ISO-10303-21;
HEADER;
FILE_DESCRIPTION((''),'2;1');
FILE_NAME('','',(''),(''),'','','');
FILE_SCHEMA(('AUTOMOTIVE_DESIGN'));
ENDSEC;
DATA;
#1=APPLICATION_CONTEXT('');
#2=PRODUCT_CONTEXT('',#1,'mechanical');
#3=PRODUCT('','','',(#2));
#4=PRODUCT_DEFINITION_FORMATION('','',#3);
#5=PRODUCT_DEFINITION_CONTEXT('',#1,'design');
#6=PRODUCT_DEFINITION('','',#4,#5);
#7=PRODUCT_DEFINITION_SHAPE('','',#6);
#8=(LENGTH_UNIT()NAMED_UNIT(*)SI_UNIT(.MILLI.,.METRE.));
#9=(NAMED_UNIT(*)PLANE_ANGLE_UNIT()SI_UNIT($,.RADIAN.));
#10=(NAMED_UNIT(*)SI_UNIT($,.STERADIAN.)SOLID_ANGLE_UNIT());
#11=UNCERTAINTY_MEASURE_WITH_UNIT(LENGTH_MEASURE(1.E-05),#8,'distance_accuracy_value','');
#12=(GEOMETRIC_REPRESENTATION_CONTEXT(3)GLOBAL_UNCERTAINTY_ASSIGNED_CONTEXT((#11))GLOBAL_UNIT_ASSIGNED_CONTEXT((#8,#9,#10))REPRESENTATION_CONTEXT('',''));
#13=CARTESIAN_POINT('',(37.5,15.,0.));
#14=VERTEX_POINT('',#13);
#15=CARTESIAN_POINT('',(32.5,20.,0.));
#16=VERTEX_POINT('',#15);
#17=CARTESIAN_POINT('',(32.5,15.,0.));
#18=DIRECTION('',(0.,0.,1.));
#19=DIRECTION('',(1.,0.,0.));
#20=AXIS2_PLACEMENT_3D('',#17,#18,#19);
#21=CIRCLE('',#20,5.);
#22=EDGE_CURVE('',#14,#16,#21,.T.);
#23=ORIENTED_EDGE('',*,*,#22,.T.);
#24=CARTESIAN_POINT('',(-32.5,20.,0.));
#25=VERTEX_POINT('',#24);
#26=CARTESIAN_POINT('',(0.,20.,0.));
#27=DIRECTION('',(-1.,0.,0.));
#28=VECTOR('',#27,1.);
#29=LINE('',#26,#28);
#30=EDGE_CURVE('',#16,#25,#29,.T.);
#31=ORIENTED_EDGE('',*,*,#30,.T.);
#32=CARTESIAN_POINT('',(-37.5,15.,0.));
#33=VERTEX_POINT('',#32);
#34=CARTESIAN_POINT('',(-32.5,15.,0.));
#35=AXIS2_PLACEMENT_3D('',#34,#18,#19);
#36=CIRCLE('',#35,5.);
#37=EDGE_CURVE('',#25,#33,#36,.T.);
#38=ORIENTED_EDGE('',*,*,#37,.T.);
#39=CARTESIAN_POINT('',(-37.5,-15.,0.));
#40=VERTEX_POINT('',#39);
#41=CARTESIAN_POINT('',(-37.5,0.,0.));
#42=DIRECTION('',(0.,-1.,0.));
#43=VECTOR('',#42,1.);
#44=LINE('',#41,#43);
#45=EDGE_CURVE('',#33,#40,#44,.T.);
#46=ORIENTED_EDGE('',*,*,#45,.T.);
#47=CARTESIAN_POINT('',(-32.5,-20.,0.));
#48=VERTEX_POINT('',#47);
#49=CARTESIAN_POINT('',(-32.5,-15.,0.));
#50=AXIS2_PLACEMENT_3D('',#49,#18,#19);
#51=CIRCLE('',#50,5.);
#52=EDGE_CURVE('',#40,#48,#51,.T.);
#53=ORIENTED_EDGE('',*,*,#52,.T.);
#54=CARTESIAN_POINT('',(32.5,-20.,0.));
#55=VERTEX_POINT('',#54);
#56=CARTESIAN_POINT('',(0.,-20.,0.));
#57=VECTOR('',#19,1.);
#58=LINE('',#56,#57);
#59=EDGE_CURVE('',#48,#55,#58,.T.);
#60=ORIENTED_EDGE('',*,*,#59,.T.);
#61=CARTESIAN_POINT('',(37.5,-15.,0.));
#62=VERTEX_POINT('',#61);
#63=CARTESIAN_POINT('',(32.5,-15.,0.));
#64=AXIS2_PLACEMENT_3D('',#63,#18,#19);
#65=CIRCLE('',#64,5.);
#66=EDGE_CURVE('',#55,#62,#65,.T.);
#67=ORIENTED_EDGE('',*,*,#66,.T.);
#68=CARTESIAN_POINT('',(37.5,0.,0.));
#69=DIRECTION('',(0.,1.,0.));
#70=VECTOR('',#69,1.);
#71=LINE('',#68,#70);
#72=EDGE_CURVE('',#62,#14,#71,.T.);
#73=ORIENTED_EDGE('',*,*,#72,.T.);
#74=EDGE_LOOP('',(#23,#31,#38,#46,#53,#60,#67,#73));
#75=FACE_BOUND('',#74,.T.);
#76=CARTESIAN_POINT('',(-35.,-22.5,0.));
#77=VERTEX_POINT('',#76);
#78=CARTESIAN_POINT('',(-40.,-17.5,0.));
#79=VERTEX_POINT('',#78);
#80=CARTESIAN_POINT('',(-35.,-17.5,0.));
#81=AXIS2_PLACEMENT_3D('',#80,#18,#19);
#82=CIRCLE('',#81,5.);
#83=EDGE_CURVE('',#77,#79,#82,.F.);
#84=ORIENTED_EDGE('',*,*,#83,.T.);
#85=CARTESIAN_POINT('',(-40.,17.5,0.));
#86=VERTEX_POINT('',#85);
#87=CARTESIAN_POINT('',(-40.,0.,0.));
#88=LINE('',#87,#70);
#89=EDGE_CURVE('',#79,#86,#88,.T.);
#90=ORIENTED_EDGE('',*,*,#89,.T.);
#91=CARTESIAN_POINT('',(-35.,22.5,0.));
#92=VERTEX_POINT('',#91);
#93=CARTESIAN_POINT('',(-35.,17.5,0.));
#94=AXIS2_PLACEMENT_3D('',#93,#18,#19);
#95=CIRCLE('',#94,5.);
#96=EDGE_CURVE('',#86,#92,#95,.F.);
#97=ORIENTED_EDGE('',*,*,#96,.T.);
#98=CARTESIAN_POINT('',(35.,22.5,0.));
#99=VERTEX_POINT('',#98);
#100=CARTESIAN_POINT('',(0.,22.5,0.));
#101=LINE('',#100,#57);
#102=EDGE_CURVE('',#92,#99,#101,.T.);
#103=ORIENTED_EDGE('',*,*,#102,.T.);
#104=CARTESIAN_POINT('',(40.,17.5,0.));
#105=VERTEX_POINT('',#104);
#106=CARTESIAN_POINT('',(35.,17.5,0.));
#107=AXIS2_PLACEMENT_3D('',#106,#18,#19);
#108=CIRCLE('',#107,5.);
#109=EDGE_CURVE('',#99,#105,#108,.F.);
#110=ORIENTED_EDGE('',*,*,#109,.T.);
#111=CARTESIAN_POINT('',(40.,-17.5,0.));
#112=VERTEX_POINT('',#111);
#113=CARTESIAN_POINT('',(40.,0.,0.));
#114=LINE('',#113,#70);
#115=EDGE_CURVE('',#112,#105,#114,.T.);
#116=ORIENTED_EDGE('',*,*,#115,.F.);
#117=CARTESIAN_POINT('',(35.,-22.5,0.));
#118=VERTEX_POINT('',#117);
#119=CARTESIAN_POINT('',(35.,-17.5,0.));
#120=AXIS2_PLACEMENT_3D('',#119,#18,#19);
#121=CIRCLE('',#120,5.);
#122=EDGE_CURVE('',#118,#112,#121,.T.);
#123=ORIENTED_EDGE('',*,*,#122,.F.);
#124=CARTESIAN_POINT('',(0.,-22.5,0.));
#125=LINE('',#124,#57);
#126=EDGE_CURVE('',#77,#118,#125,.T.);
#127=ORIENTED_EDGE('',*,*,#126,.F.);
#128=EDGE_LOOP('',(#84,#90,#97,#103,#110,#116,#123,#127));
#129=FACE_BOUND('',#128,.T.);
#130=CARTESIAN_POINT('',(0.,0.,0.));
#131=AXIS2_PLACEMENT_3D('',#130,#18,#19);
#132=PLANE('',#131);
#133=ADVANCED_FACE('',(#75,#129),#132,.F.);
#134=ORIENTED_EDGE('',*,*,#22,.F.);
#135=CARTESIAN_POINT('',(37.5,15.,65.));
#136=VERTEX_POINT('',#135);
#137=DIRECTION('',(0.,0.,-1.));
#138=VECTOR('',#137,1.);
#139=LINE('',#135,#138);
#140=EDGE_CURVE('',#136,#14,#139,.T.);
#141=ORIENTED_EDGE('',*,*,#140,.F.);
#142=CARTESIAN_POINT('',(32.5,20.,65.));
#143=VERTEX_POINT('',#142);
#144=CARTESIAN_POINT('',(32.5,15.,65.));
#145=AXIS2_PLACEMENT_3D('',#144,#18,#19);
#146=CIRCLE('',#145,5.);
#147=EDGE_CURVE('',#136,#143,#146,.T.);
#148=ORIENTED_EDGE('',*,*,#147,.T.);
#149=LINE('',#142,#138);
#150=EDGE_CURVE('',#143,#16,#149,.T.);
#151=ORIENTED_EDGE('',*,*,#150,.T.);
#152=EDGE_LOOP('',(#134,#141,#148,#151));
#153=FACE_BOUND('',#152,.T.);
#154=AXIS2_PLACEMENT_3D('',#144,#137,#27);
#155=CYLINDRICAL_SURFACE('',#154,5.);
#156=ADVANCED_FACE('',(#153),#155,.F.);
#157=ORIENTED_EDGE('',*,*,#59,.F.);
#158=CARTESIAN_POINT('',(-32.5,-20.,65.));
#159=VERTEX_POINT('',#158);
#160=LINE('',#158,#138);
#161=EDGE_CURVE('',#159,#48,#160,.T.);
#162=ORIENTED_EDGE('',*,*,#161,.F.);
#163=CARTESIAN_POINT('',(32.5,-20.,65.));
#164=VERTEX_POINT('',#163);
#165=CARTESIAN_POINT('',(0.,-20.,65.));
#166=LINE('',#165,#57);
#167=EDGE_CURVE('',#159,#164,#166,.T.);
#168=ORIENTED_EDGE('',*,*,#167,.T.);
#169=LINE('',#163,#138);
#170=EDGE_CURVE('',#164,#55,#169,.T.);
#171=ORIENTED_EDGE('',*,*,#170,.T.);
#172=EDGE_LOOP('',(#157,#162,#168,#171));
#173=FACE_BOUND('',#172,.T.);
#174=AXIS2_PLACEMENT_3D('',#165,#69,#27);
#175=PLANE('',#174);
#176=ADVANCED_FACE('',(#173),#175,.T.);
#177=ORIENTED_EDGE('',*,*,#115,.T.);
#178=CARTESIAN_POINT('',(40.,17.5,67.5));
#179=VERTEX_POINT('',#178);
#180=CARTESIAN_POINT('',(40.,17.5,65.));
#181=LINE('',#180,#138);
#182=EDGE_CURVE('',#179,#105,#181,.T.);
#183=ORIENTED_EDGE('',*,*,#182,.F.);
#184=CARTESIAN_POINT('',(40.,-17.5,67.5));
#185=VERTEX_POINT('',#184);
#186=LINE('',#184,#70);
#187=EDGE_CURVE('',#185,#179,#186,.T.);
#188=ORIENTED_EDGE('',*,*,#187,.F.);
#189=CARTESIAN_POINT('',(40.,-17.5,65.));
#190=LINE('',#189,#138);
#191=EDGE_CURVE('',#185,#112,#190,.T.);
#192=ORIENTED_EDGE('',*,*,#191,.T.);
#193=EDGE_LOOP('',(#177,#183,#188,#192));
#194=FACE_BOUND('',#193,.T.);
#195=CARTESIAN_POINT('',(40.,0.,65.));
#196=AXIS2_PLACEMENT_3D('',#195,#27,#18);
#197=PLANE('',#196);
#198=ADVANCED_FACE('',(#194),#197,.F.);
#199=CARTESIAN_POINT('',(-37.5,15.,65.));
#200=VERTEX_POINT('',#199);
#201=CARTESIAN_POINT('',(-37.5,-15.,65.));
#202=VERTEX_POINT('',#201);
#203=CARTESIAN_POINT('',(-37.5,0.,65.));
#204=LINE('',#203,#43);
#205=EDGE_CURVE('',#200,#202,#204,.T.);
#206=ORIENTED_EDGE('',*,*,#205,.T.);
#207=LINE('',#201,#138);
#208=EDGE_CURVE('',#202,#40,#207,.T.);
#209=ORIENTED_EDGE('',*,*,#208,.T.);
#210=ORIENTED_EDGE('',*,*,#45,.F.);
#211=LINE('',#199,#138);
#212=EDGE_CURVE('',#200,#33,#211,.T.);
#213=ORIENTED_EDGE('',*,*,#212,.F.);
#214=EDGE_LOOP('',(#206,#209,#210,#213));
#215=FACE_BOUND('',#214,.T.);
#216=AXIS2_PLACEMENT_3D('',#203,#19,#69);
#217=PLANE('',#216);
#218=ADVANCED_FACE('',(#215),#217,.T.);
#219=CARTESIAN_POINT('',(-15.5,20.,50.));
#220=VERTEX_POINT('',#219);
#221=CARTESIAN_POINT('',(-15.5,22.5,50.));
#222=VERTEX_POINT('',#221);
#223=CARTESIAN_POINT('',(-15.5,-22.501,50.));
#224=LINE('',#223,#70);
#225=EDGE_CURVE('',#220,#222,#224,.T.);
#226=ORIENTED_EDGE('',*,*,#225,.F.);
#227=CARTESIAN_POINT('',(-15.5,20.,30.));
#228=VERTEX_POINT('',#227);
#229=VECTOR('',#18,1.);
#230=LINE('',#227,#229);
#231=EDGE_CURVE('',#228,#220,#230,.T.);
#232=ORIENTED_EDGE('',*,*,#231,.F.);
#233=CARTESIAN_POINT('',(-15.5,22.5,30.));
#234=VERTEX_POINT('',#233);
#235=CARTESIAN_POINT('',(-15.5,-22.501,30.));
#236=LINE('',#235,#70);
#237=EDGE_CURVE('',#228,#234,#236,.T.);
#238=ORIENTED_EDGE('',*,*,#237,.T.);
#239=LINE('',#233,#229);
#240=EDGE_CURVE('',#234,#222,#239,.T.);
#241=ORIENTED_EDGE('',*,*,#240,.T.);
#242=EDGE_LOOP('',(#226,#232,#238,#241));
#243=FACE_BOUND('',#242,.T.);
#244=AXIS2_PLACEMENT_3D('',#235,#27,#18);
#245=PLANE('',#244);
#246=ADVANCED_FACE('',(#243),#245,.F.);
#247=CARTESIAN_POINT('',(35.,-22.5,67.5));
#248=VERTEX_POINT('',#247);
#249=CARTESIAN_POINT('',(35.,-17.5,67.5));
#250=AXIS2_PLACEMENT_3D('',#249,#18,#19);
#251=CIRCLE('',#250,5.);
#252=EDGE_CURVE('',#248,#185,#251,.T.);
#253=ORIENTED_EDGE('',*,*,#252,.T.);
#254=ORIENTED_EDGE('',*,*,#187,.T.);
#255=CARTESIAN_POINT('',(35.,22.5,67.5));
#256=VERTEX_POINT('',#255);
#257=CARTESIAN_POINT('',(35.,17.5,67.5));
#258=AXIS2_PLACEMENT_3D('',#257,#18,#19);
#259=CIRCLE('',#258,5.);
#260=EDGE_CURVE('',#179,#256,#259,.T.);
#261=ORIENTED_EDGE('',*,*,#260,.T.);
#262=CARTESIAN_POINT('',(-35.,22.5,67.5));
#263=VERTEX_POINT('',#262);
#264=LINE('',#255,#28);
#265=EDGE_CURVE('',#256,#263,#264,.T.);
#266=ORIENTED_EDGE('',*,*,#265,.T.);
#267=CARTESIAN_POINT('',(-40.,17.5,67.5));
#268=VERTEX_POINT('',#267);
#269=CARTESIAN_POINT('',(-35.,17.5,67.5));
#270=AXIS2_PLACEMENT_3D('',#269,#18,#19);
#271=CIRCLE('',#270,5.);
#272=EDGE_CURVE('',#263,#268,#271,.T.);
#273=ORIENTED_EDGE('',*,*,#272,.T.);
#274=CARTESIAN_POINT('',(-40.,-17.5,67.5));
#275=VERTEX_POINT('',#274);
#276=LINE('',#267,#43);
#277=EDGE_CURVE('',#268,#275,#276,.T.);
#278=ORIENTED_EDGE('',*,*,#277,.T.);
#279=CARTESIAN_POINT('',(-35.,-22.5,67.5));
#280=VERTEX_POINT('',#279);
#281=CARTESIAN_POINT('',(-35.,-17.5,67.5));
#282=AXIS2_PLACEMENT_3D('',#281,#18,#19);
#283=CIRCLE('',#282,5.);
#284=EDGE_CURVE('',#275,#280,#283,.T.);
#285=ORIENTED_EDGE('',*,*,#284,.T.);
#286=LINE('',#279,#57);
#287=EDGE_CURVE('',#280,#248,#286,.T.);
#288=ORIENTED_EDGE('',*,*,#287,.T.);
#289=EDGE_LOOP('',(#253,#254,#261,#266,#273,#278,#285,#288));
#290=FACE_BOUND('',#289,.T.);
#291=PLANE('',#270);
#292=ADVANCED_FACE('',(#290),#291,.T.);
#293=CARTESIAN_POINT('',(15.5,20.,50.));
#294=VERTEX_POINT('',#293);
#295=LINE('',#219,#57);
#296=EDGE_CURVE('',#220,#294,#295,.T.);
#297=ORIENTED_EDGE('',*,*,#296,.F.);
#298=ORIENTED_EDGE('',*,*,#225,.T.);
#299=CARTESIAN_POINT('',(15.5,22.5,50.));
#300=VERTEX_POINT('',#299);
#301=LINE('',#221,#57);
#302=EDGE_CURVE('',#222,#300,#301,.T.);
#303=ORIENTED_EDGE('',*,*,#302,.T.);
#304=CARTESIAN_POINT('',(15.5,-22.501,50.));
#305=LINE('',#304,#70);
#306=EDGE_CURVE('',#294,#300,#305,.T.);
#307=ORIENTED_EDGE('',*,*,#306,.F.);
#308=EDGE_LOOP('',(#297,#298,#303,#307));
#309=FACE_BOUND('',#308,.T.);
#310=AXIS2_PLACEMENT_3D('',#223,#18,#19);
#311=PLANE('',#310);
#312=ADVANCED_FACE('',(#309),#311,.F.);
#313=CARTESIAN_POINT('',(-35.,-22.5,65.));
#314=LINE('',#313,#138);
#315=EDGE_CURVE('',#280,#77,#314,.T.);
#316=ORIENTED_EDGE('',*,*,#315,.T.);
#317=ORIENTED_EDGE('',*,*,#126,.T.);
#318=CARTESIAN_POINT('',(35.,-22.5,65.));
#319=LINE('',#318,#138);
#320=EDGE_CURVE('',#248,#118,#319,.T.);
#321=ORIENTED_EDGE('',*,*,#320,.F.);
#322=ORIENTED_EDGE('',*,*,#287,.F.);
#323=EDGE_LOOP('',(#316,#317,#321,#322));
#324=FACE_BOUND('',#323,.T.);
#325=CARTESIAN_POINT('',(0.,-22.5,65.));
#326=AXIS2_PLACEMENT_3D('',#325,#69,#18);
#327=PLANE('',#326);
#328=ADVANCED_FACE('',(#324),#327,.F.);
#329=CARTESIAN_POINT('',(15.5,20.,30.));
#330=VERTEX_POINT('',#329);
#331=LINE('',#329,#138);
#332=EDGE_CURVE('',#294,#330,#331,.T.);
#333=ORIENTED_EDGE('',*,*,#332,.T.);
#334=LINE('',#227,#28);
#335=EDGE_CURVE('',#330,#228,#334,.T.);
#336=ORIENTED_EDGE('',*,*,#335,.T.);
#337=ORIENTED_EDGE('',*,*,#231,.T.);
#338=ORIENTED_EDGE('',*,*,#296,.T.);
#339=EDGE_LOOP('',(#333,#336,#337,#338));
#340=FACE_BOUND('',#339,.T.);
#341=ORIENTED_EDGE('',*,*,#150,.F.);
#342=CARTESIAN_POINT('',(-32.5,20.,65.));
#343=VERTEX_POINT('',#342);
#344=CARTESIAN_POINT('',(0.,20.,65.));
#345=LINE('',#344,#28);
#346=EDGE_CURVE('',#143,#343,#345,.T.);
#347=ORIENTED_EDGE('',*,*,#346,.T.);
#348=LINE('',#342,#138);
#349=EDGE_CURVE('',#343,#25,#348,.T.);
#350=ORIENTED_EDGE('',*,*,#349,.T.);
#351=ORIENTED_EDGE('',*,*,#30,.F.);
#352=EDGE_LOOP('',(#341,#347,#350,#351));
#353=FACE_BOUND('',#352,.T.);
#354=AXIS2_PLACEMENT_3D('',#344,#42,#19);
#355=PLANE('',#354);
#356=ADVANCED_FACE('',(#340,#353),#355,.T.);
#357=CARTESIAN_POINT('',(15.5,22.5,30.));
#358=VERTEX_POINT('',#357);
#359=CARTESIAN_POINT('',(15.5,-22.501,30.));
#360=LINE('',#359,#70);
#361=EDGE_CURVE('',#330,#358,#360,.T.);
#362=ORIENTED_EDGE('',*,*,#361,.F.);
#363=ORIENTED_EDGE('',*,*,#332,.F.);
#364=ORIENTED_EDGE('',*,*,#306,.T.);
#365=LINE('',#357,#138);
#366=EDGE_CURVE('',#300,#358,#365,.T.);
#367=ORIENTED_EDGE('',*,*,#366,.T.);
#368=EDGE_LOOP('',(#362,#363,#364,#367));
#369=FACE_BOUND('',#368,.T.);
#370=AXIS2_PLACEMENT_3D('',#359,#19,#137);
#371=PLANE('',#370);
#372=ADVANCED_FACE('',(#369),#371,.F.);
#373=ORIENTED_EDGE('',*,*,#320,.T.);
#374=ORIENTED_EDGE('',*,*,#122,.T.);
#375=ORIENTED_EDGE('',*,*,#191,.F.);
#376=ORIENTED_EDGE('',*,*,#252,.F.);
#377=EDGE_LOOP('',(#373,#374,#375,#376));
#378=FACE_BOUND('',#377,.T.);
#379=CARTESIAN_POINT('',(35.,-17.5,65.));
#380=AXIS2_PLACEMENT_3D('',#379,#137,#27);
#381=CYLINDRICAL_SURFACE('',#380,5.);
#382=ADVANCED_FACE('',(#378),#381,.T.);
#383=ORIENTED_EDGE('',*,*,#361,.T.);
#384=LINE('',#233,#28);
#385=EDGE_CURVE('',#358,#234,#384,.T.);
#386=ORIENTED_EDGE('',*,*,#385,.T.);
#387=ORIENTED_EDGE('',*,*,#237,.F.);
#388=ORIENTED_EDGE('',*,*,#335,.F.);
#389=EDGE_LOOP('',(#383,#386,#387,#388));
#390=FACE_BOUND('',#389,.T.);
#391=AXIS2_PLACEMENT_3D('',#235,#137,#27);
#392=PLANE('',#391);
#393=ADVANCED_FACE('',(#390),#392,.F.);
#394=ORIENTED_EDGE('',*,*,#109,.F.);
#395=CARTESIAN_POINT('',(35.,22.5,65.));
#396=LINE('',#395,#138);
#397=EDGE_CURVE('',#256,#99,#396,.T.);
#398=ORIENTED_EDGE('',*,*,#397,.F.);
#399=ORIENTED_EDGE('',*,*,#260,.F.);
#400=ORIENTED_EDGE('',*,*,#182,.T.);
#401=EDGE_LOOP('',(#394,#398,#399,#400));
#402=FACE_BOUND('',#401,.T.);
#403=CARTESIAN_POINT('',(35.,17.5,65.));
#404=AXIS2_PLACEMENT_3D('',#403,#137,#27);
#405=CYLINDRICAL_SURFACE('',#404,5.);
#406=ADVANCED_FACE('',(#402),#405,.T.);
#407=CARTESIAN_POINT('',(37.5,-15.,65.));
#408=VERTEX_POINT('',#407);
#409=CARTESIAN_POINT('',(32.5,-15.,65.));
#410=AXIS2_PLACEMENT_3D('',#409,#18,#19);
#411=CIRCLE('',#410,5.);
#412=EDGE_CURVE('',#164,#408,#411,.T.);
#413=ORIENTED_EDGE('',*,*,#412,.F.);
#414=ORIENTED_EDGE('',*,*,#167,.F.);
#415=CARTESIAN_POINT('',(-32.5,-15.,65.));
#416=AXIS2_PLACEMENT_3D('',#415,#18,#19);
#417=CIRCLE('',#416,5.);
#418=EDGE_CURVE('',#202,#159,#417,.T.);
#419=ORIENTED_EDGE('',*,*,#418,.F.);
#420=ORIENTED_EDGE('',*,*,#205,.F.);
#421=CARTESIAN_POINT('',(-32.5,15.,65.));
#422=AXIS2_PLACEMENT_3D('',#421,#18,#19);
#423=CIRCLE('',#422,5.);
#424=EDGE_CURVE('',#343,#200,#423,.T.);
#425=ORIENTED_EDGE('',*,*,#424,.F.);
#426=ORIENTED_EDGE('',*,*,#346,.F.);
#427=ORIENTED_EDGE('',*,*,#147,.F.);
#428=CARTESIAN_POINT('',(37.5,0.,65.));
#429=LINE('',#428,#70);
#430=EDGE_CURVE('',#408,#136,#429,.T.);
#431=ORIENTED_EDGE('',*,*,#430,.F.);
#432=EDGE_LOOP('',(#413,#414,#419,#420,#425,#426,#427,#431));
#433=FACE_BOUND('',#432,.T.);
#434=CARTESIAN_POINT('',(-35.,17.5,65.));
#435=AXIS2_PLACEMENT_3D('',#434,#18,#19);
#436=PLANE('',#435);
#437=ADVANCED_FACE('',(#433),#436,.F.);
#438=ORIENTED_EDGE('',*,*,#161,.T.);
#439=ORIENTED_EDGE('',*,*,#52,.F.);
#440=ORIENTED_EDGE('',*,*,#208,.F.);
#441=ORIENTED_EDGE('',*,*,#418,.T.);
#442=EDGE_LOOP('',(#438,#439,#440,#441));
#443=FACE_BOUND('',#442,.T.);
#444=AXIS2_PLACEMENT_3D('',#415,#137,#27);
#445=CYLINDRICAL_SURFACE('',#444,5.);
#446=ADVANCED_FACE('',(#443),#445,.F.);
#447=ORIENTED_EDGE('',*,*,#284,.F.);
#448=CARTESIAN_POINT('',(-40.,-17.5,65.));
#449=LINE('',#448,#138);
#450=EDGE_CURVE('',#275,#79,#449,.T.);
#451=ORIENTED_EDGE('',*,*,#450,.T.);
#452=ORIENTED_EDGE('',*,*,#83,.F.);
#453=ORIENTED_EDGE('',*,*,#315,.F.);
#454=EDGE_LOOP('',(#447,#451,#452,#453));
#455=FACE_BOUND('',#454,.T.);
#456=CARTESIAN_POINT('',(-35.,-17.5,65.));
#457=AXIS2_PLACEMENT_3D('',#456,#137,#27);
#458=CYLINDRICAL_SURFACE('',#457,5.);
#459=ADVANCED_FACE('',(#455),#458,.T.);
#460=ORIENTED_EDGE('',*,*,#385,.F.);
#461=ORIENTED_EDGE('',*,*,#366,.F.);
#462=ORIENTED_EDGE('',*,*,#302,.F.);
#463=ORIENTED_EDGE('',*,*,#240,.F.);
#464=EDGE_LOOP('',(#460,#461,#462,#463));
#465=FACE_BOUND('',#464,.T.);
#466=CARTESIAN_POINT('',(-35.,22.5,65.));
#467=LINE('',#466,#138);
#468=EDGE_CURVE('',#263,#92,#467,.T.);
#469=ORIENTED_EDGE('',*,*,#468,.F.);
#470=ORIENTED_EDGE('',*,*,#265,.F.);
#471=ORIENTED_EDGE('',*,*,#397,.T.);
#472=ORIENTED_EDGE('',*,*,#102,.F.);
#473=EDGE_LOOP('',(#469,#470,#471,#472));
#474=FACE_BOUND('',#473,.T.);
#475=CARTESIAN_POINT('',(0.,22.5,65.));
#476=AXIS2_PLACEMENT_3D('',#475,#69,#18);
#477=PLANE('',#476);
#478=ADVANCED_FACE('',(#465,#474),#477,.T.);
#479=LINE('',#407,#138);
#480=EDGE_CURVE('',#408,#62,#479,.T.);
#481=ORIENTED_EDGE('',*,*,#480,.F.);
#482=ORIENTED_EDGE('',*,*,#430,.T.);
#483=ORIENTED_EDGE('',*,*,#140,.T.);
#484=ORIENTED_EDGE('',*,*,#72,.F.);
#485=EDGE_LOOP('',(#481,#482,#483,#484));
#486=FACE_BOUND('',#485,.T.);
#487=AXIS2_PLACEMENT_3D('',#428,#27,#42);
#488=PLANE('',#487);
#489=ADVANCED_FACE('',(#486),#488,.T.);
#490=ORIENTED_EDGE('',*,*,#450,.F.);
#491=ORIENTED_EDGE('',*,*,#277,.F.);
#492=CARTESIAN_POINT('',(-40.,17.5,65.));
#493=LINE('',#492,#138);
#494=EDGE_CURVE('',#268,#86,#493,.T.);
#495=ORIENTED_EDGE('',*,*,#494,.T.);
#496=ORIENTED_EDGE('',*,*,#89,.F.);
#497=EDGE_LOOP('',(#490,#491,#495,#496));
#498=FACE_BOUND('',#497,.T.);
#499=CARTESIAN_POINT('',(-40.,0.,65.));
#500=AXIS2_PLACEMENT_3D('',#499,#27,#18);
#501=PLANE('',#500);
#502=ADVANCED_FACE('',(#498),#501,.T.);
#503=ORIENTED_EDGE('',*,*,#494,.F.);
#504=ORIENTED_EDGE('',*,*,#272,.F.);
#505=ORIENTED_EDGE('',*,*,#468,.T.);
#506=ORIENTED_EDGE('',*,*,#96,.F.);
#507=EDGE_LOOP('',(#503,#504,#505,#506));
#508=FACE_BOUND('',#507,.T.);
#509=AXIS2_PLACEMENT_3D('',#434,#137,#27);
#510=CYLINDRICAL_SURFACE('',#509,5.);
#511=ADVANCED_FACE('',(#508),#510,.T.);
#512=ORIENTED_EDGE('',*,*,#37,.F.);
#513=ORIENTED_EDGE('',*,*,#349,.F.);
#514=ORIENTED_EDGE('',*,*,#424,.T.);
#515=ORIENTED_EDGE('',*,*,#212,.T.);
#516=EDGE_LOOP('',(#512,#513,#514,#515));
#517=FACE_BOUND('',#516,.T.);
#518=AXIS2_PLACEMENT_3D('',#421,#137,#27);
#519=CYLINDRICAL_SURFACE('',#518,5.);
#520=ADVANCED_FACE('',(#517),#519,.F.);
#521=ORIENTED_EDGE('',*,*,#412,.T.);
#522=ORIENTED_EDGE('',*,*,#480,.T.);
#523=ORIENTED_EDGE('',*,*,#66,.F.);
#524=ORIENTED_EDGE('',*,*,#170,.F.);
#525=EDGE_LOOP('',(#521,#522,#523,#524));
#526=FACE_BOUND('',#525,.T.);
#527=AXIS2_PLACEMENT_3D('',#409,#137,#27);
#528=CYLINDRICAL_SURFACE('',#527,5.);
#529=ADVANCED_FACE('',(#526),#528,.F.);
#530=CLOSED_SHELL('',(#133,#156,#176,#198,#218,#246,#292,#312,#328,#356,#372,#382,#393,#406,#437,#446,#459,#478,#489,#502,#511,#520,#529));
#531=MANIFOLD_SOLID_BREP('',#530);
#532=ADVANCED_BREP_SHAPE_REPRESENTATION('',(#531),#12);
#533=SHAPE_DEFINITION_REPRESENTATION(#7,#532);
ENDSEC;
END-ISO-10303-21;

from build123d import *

# Parameters (mm, degrees)
BOSS_EXTRUDE1_DEPTH = 65
BOSS_EXTRUDE2_DEPTH = 2.5
CUT_EXTRUDE1_REACH  = 47
SKETCH4_W           = 31
SKETCH4_H           = 20


with BuildPart() as part:
    # Sketch2 → Boss-Extrude1 (new body)
    with BuildSketch(Plane.XY):
        with BuildLine():
            ThreePointArc((-40, 17.5), (-38.535533906, 21.035533906), (-35, 22.5))
            Line((-35, 22.5), (35, 22.5))
            ThreePointArc((35, 22.5), (38.535533906, 21.035533906), (40, 17.5))
            Line((40, 17.5), (40, -17.5))
            ThreePointArc((40, -17.5), (38.535533906, -21.035533906), (35, -22.5))
            Line((35, -22.5), (-35, -22.5))
            ThreePointArc((-35, -22.5), (-38.535533906, -21.035533906), (-40, -17.5))
            Line((-40, -17.5), (-40, 17.5))
        make_face()
        with BuildLine():
            ThreePointArc((-32.5, 20), (-36.035533906, 18.535533906), (-37.5, 15))
            Line((-37.5, 15), (-37.5, -15))
            ThreePointArc((-37.5, -15), (-36.035533906, -18.535533906), (-32.5, -20))
            Line((-32.5, -20), (32.5, -20))
            ThreePointArc((32.5, -20), (36.035533906, -18.535533906), (37.5, -15))
            Line((37.5, -15), (37.5, 15))
            ThreePointArc((37.5, 15), (36.035533906, 18.535533906), (32.5, 20))
            Line((32.5, 20), (-32.5, 20))
        make_face(mode=Mode.SUBTRACT)
    extrude(amount=BOSS_EXTRUDE1_DEPTH)

    # Sketch3 → Boss-Extrude2 (add)
    with BuildSketch(Plane.XY.offset(65)):
        with BuildLine():
            Line((-40, 17.5), (-40, -17.5))
            ThreePointArc((-40, -17.5), (-38.535533906, -21.035533906), (-35, -22.5))
            Line((-35, -22.5), (35, -22.5))
            ThreePointArc((35, -22.5), (38.535533906, -21.035533906), (40, -17.5))
            Line((40, -17.5), (40, 17.5))
            ThreePointArc((40, 17.5), (38.535533906, 21.035533906), (35, 22.5))
            Line((35, 22.5), (-35, 22.5))
            ThreePointArc((-35, 22.5), (-38.535533906, 21.035533906), (-40, 17.5))
        make_face()
    extrude(amount=BOSS_EXTRUDE2_DEPTH)

    # Sketch4 → Cut-Extrude1 (cut, up to next)
    with BuildSketch(Plane(origin=(0, 22.5, 0), x_dir=(1, 0, 0), z_dir=(0, 1, 0)), mode=Mode.PRIVATE) as cut_extrude1_sk1:
        with Locations((0, -40)):
            Rectangle(SKETCH4_W, SKETCH4_H)
    cut_extrude1_tool1 = extrude(cut_extrude1_sk1.sketch, amount=-CUT_EXTRUDE1_REACH, mode=Mode.PRIVATE) & part.part
    add(cut_extrude1_tool1.solids().sort_by_distance((0, 22.5, 40))[0], mode=Mode.SUBTRACT)


solid = part.part
